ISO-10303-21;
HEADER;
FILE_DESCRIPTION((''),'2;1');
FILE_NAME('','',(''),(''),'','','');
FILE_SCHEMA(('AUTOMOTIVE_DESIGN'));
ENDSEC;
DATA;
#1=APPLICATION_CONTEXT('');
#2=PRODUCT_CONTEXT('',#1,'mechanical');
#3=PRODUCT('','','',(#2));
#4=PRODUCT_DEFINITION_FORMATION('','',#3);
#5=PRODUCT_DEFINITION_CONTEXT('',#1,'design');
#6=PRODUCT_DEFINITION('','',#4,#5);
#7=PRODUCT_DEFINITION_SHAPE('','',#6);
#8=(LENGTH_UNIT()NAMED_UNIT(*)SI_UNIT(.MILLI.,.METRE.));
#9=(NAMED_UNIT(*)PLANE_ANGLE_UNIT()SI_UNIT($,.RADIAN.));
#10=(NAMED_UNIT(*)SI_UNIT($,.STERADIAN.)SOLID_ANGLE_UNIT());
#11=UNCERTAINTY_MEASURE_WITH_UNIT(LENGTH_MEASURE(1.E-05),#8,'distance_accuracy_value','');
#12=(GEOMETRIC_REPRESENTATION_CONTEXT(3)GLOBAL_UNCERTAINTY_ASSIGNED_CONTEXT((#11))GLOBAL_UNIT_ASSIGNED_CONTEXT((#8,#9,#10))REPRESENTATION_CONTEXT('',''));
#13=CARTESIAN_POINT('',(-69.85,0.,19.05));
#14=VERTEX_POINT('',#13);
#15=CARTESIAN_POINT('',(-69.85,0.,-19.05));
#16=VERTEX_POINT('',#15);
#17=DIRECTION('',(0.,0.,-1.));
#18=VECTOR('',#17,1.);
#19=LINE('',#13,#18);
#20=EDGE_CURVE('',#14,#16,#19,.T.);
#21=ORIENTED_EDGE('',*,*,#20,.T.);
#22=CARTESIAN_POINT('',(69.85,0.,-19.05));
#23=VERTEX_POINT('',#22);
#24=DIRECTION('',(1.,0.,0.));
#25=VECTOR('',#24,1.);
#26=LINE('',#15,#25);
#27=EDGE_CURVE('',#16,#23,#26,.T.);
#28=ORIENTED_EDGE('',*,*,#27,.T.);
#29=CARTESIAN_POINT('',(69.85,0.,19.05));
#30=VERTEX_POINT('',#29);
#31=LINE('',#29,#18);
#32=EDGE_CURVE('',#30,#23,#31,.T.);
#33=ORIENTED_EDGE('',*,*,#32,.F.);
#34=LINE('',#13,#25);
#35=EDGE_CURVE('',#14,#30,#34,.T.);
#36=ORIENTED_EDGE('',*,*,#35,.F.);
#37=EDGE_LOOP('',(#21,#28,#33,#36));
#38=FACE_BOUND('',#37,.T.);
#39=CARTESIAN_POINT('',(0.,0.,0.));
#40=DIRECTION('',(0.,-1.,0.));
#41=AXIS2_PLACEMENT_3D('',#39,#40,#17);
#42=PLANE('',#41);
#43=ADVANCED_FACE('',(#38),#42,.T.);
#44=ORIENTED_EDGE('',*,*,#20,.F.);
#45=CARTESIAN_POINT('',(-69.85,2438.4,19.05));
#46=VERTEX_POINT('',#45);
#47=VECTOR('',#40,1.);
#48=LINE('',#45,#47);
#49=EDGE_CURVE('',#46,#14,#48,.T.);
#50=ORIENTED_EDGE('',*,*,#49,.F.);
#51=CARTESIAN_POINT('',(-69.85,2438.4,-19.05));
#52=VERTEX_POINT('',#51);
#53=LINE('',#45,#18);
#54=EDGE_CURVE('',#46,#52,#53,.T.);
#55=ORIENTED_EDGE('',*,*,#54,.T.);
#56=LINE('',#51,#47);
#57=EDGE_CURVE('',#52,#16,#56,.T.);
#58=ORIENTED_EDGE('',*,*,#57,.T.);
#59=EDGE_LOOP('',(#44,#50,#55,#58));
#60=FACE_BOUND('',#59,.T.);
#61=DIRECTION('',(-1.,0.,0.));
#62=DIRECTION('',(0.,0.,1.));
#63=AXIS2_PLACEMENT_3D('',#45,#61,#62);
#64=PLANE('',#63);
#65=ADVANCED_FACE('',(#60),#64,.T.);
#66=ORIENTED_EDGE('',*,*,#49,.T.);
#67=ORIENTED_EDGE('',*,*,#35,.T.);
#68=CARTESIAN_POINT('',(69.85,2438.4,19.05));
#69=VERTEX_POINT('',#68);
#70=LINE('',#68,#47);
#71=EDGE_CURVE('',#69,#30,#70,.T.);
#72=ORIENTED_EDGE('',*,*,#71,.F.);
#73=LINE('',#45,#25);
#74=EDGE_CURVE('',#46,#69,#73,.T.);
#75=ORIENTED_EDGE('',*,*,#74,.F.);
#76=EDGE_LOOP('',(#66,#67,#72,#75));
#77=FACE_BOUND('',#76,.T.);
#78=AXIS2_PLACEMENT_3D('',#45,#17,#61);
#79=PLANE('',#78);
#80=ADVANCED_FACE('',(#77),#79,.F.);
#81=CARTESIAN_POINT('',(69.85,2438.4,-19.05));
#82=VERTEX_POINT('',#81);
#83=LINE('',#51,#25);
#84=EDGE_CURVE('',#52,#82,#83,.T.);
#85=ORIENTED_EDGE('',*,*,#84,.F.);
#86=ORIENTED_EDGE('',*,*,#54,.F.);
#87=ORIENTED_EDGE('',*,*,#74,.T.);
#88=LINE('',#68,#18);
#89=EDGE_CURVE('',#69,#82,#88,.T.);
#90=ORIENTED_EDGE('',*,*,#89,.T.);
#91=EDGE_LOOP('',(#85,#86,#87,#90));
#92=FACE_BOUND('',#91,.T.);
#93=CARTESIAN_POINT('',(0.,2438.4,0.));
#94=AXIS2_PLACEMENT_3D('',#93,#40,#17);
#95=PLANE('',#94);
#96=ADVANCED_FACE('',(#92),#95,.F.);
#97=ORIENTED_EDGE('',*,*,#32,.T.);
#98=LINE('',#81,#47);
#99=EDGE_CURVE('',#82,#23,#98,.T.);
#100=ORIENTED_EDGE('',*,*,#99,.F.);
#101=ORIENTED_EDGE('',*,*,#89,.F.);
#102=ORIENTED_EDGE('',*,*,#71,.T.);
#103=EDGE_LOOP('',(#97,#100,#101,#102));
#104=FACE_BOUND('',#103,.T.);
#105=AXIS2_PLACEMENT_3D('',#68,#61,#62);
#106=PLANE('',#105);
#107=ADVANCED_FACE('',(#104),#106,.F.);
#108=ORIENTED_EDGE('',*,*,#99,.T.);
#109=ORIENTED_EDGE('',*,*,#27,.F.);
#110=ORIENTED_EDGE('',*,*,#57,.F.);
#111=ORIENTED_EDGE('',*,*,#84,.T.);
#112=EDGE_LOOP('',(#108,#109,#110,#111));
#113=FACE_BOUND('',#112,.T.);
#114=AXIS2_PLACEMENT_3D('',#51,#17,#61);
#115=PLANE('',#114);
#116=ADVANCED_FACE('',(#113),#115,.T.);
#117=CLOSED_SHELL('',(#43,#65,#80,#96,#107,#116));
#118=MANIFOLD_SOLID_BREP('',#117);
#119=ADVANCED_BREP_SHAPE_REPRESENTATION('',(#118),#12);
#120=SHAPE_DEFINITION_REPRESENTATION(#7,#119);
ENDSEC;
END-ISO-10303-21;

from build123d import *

# Parameters (mm, degrees)
SKETCH1_W           = 139.7
SKETCH1_H           = 38.1
BOSS_EXTRUDE1_DEPTH = 2438.4


with BuildPart() as part:
    # Sketch1 → Boss-Extrude1 (new body)
    with BuildSketch(Plane(origin=(0, 0, 0), x_dir=(1, 0, 0), z_dir=(0, 1, 0))):
        Rectangle(SKETCH1_W, SKETCH1_H)
    extrude(amount=BOSS_EXTRUDE1_DEPTH)


solid = part.part
